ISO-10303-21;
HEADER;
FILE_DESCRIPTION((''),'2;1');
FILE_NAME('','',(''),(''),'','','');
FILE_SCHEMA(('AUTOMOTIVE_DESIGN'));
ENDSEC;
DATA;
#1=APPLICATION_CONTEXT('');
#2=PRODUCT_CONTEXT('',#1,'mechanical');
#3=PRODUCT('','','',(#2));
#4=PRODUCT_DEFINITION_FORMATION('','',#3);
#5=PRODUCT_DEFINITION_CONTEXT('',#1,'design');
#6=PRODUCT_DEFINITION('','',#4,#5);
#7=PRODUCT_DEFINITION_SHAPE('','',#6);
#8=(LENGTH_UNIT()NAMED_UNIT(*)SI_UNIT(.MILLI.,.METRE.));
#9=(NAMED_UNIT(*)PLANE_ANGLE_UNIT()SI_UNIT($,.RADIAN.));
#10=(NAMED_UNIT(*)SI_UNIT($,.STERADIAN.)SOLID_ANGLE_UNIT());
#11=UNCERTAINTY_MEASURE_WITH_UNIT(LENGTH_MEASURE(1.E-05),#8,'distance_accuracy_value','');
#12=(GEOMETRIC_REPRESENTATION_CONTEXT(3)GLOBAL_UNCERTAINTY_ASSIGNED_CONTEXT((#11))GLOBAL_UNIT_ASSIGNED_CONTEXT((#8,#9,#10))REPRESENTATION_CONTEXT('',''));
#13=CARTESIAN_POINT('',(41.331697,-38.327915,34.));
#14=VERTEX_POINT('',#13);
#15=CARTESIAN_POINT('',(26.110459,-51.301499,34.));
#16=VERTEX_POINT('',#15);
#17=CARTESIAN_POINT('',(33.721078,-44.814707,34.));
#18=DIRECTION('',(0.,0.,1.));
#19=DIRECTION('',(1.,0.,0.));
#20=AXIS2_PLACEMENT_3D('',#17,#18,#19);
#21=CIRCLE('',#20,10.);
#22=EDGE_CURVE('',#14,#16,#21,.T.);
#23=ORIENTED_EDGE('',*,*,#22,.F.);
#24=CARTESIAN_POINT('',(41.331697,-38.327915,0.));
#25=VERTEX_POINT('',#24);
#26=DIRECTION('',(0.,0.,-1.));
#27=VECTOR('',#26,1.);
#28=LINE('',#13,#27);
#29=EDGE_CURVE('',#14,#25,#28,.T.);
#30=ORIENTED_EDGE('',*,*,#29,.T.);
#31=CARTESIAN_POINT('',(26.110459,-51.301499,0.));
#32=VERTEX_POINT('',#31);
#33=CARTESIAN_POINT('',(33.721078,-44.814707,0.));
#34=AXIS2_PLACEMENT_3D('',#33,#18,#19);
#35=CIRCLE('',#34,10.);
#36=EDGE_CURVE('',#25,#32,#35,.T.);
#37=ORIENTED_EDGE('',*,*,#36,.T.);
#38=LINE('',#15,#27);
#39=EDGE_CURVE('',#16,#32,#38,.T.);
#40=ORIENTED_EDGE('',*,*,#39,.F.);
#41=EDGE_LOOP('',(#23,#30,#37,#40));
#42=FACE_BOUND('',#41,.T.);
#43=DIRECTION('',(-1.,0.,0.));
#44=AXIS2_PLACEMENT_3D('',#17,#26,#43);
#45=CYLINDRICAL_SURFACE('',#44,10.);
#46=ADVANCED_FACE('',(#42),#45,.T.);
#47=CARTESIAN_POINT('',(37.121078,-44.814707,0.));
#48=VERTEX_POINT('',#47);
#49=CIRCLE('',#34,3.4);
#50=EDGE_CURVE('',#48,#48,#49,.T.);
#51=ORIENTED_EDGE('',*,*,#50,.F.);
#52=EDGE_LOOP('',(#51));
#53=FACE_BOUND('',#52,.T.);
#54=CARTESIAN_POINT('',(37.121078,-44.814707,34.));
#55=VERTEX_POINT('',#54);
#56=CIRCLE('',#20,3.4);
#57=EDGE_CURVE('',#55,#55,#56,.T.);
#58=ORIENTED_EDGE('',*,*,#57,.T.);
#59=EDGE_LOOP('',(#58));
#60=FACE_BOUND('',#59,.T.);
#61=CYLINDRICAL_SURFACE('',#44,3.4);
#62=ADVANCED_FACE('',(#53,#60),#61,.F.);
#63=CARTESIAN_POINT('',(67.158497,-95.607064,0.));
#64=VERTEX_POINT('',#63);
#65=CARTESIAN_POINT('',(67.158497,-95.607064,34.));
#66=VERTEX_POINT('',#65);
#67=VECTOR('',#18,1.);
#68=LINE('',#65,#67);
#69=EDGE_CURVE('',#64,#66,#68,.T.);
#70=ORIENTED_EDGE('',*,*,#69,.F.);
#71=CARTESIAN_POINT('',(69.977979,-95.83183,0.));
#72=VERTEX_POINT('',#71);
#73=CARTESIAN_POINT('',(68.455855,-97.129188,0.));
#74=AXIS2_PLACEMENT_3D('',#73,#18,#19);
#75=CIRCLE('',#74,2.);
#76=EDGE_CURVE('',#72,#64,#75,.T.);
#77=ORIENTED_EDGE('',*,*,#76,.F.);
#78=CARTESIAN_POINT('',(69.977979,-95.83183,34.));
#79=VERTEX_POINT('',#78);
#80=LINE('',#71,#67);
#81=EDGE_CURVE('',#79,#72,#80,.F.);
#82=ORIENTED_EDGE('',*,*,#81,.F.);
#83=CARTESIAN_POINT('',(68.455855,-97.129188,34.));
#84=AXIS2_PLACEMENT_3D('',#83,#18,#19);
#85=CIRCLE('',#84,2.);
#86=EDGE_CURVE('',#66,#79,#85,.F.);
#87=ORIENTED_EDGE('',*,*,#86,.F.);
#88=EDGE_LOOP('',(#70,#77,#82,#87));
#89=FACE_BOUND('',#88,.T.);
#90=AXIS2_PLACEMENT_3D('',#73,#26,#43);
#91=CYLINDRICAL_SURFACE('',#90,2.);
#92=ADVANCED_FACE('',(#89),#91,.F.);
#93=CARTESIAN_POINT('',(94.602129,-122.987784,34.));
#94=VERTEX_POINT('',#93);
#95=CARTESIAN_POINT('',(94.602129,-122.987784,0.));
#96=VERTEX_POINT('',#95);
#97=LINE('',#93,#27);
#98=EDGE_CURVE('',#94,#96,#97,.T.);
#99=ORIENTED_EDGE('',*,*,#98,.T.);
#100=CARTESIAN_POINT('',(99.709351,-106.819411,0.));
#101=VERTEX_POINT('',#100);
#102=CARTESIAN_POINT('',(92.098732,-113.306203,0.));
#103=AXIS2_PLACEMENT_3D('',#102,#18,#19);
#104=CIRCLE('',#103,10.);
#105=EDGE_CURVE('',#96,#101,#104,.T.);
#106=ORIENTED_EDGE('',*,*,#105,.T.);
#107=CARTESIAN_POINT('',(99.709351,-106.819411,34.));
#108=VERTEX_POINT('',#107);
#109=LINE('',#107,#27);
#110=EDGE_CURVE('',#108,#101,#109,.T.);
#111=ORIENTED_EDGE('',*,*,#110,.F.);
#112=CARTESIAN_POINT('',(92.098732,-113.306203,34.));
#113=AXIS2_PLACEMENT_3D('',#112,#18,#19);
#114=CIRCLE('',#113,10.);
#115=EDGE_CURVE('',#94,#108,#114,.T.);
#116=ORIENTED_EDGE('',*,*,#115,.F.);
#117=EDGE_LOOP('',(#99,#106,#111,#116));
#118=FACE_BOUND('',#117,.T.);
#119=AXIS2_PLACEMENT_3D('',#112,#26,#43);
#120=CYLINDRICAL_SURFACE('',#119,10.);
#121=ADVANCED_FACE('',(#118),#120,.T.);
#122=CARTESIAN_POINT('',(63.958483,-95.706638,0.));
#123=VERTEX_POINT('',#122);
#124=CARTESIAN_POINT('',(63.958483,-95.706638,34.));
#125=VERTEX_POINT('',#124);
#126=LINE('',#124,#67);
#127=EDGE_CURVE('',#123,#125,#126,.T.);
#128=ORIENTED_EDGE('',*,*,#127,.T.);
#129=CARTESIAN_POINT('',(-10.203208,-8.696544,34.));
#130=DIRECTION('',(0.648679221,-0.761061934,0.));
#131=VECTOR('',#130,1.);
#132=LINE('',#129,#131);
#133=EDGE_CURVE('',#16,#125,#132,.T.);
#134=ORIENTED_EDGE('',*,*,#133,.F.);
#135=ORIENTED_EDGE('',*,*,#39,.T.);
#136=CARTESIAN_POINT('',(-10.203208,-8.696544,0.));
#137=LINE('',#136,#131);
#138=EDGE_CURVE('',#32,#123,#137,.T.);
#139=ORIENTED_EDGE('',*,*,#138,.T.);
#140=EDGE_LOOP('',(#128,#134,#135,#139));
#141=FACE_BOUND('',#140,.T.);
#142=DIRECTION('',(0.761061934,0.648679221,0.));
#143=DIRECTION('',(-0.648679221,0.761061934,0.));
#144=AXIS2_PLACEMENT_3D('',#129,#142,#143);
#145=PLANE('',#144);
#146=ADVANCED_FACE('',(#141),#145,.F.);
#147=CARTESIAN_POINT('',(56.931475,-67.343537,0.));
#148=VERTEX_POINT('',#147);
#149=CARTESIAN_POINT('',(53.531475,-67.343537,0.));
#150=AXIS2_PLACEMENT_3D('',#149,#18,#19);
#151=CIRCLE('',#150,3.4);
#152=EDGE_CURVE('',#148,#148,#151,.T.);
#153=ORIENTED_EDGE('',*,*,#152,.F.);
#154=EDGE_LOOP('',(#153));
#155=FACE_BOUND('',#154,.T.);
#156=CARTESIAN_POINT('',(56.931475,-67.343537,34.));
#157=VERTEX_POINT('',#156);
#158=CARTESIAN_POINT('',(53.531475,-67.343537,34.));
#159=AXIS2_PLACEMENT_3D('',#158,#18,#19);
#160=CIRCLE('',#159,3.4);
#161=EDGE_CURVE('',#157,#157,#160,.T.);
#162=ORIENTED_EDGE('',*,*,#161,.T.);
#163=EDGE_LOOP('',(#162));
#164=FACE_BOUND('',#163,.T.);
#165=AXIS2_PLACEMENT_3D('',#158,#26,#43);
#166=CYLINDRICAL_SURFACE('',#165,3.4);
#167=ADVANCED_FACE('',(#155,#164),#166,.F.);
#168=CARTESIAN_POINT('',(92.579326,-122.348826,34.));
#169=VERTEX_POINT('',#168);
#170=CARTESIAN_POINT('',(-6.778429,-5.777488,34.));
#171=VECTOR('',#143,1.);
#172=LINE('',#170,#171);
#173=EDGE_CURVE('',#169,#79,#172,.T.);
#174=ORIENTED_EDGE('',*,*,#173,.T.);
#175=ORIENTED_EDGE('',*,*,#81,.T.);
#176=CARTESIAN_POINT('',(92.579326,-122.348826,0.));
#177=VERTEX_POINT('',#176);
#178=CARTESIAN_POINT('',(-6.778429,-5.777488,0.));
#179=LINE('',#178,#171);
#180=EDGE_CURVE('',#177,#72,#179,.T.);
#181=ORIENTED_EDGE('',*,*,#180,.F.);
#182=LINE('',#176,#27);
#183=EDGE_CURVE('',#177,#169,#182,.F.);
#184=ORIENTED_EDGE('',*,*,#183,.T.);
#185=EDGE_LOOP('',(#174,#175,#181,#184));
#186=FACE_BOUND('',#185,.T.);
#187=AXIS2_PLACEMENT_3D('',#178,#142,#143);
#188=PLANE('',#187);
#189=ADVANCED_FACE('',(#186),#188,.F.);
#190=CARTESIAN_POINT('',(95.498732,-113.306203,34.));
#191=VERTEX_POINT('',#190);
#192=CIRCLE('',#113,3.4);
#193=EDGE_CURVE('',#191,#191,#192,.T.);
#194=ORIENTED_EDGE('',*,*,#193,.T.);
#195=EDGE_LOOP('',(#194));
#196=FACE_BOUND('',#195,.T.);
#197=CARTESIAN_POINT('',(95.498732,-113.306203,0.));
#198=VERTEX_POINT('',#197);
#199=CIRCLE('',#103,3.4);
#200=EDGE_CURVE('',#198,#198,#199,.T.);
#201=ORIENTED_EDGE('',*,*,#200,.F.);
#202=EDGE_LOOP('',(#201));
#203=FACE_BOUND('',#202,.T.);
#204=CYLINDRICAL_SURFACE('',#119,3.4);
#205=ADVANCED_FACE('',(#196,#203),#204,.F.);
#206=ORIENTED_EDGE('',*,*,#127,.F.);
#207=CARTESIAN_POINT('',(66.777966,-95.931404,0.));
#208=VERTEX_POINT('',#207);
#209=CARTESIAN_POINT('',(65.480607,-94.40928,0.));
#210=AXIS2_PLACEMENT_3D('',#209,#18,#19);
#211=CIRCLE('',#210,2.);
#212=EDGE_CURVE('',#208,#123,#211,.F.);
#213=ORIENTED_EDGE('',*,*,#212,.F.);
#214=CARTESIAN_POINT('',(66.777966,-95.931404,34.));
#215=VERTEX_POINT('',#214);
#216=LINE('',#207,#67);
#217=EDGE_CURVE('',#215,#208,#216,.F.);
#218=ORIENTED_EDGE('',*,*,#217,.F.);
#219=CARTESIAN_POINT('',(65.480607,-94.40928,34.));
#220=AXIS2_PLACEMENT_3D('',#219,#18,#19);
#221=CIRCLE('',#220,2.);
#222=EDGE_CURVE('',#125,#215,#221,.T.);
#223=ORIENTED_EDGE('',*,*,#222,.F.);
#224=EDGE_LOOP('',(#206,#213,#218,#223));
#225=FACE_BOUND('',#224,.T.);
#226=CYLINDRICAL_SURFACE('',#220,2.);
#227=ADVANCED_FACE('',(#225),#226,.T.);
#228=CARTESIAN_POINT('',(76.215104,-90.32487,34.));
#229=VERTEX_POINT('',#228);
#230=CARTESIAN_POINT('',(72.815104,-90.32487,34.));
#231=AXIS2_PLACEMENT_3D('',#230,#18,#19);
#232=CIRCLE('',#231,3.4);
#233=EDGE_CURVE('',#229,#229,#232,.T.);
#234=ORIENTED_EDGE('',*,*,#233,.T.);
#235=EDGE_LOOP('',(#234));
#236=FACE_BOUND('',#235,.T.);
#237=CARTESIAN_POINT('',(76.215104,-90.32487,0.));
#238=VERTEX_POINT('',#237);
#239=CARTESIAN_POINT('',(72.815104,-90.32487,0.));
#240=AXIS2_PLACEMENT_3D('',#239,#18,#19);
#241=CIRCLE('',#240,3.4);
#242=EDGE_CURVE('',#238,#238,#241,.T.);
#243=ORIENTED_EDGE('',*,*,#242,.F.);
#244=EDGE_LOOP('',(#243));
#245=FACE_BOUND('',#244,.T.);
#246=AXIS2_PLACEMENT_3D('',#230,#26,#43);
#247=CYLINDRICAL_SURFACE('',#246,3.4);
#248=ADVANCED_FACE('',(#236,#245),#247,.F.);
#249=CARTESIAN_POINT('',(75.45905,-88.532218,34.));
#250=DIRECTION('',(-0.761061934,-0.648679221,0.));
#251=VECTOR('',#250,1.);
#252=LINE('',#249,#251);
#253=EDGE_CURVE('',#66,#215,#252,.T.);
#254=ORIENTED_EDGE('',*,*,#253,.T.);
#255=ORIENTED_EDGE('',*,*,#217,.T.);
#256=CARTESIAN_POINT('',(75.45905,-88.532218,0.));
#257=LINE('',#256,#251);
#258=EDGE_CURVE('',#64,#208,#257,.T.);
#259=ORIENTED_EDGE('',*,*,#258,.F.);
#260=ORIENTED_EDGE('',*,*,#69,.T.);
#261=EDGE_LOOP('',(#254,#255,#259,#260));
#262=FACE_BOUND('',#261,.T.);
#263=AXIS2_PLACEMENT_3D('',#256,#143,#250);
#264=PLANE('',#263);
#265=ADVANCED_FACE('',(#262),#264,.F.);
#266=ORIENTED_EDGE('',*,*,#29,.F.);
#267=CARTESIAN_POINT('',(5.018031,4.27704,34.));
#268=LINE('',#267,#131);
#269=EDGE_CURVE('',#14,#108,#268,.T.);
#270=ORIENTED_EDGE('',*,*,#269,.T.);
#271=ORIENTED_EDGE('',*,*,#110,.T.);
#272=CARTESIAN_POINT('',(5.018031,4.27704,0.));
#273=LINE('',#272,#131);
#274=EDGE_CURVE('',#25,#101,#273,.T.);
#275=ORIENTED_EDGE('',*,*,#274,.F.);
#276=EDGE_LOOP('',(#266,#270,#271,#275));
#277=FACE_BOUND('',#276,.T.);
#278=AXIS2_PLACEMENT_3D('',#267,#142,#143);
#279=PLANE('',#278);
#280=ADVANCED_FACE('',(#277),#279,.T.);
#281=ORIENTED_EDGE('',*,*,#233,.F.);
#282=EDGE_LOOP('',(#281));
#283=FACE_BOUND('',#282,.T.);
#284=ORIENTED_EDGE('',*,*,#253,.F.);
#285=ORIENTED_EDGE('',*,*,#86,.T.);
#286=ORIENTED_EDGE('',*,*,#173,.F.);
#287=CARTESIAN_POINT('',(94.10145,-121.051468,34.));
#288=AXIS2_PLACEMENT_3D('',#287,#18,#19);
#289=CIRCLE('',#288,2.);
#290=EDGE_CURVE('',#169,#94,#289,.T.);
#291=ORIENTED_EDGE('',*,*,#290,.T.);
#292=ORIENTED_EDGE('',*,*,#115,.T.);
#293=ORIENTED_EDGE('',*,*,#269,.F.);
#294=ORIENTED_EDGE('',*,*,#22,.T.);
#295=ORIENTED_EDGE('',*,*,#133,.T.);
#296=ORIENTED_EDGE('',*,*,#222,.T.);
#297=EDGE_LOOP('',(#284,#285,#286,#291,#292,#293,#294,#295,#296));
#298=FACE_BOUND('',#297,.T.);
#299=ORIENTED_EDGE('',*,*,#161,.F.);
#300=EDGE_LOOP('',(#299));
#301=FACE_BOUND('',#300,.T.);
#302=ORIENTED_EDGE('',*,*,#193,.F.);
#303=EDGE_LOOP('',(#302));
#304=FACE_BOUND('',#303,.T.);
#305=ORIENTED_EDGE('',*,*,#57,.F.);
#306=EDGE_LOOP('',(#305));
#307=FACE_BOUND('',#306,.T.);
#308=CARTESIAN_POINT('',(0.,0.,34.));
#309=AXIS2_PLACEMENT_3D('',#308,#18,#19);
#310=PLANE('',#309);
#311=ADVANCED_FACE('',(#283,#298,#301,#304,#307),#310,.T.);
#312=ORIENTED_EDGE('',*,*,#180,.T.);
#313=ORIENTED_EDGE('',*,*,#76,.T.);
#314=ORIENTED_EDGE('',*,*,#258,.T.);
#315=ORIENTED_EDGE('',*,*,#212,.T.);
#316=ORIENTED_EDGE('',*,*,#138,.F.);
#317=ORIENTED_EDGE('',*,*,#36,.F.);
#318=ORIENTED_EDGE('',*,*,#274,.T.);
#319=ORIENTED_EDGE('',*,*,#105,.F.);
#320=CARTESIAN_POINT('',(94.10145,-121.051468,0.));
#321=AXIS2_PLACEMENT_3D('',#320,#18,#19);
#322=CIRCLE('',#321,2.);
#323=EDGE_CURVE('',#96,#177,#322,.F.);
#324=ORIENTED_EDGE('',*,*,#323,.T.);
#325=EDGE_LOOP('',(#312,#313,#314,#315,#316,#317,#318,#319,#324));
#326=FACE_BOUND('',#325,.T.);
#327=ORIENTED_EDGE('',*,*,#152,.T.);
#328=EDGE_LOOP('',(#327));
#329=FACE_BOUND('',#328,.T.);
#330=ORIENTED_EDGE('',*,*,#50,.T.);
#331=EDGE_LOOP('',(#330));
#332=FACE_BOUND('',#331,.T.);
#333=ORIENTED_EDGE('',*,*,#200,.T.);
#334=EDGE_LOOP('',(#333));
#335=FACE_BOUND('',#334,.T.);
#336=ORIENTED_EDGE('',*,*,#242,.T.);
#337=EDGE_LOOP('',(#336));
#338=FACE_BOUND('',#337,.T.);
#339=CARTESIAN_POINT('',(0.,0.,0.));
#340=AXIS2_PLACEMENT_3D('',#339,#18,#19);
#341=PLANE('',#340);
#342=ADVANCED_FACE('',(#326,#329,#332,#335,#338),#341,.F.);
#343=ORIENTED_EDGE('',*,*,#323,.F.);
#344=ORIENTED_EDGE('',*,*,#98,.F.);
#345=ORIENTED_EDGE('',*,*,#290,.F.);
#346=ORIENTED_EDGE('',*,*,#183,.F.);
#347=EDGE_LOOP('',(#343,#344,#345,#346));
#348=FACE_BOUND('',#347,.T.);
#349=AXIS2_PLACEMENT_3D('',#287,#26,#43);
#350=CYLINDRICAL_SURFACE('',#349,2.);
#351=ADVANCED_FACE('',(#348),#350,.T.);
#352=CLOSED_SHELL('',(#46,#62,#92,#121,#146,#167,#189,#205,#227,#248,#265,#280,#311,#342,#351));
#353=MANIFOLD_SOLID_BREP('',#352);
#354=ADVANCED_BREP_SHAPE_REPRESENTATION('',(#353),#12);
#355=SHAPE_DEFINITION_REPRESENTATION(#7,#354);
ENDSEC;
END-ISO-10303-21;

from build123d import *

# Parameters (mm, degrees)
SKETCH_1_R          = 3.4
EXTRUDE_3_DEPTH     = 34
CUT_EXTRUDE_1_DEPTH = 164.659924305
FILLET_1_R          = 2


with BuildPart() as part:
    # 草图1 → 凸台-拉伸3 (new body)
    with BuildSketch(Plane.XY):
        with BuildLine():
            Line((41.331697392, -38.327914958), (99.709351413, -106.819410926))
            ThreePointArc((99.709351413, -106.819410926), (98.585524286, -120.916822482), (84.48811273, -119.792995355))
            Line((84.48811273, -119.792995355), (26.110458709, -51.301499387))
            ThreePointArc((26.110458709, -51.301499387), (27.234285836, -37.204087831), (41.331697392, -38.327914958))
        make_face()
        with Locations((33.721078051, -44.814707172)):
            Circle(SKETCH_1_R, mode=Mode.SUBTRACT)
        with Locations((53.53147549, -67.343536554)):
            Circle(SKETCH_1_R, mode=Mode.SUBTRACT)
        with Locations((72.815103781, -90.324869847)):
            Circle(SKETCH_1_R, mode=Mode.SUBTRACT)
        with Locations((92.098732071, -113.306203141)):
            Circle(SKETCH_1_R, mode=Mode.SUBTRACT)
    extrude(amount=EXTRUDE_3_DEPTH)

    # 草图2 → 切除-拉伸1 (cut, through all)
    with BuildSketch(Plane.XY.offset(34)):
        with BuildLine():
            ThreePointArc((84.48811273, -119.792995355), (88.47574874, -122.626824996), (93.330431012, -123.230059131))
            Line((93.330431012, -123.230059131), (68.680620596, -94.309705633))
            Line((68.680620596, -94.309705633), (65.255841892, -97.228762129))
            Line((65.255841892, -97.228762129), (84.48811273, -119.792995355))
        make_face()
    extrude(amount=-CUT_EXTRUDE_1_DEPTH, mode=Mode.SUBTRACT)

    # 圆角1
    fillet_1_edges = [part.edges().sort_by_distance(p)[0] for p in [
        (68.680620596, -94.309705633, 17),
        (93.330431012, -123.230059131, 17),
        (65.255841892, -97.228762129, 17),
    ]]
    fillet(fillet_1_edges, radius=FILLET_1_R)


solid = part.part
